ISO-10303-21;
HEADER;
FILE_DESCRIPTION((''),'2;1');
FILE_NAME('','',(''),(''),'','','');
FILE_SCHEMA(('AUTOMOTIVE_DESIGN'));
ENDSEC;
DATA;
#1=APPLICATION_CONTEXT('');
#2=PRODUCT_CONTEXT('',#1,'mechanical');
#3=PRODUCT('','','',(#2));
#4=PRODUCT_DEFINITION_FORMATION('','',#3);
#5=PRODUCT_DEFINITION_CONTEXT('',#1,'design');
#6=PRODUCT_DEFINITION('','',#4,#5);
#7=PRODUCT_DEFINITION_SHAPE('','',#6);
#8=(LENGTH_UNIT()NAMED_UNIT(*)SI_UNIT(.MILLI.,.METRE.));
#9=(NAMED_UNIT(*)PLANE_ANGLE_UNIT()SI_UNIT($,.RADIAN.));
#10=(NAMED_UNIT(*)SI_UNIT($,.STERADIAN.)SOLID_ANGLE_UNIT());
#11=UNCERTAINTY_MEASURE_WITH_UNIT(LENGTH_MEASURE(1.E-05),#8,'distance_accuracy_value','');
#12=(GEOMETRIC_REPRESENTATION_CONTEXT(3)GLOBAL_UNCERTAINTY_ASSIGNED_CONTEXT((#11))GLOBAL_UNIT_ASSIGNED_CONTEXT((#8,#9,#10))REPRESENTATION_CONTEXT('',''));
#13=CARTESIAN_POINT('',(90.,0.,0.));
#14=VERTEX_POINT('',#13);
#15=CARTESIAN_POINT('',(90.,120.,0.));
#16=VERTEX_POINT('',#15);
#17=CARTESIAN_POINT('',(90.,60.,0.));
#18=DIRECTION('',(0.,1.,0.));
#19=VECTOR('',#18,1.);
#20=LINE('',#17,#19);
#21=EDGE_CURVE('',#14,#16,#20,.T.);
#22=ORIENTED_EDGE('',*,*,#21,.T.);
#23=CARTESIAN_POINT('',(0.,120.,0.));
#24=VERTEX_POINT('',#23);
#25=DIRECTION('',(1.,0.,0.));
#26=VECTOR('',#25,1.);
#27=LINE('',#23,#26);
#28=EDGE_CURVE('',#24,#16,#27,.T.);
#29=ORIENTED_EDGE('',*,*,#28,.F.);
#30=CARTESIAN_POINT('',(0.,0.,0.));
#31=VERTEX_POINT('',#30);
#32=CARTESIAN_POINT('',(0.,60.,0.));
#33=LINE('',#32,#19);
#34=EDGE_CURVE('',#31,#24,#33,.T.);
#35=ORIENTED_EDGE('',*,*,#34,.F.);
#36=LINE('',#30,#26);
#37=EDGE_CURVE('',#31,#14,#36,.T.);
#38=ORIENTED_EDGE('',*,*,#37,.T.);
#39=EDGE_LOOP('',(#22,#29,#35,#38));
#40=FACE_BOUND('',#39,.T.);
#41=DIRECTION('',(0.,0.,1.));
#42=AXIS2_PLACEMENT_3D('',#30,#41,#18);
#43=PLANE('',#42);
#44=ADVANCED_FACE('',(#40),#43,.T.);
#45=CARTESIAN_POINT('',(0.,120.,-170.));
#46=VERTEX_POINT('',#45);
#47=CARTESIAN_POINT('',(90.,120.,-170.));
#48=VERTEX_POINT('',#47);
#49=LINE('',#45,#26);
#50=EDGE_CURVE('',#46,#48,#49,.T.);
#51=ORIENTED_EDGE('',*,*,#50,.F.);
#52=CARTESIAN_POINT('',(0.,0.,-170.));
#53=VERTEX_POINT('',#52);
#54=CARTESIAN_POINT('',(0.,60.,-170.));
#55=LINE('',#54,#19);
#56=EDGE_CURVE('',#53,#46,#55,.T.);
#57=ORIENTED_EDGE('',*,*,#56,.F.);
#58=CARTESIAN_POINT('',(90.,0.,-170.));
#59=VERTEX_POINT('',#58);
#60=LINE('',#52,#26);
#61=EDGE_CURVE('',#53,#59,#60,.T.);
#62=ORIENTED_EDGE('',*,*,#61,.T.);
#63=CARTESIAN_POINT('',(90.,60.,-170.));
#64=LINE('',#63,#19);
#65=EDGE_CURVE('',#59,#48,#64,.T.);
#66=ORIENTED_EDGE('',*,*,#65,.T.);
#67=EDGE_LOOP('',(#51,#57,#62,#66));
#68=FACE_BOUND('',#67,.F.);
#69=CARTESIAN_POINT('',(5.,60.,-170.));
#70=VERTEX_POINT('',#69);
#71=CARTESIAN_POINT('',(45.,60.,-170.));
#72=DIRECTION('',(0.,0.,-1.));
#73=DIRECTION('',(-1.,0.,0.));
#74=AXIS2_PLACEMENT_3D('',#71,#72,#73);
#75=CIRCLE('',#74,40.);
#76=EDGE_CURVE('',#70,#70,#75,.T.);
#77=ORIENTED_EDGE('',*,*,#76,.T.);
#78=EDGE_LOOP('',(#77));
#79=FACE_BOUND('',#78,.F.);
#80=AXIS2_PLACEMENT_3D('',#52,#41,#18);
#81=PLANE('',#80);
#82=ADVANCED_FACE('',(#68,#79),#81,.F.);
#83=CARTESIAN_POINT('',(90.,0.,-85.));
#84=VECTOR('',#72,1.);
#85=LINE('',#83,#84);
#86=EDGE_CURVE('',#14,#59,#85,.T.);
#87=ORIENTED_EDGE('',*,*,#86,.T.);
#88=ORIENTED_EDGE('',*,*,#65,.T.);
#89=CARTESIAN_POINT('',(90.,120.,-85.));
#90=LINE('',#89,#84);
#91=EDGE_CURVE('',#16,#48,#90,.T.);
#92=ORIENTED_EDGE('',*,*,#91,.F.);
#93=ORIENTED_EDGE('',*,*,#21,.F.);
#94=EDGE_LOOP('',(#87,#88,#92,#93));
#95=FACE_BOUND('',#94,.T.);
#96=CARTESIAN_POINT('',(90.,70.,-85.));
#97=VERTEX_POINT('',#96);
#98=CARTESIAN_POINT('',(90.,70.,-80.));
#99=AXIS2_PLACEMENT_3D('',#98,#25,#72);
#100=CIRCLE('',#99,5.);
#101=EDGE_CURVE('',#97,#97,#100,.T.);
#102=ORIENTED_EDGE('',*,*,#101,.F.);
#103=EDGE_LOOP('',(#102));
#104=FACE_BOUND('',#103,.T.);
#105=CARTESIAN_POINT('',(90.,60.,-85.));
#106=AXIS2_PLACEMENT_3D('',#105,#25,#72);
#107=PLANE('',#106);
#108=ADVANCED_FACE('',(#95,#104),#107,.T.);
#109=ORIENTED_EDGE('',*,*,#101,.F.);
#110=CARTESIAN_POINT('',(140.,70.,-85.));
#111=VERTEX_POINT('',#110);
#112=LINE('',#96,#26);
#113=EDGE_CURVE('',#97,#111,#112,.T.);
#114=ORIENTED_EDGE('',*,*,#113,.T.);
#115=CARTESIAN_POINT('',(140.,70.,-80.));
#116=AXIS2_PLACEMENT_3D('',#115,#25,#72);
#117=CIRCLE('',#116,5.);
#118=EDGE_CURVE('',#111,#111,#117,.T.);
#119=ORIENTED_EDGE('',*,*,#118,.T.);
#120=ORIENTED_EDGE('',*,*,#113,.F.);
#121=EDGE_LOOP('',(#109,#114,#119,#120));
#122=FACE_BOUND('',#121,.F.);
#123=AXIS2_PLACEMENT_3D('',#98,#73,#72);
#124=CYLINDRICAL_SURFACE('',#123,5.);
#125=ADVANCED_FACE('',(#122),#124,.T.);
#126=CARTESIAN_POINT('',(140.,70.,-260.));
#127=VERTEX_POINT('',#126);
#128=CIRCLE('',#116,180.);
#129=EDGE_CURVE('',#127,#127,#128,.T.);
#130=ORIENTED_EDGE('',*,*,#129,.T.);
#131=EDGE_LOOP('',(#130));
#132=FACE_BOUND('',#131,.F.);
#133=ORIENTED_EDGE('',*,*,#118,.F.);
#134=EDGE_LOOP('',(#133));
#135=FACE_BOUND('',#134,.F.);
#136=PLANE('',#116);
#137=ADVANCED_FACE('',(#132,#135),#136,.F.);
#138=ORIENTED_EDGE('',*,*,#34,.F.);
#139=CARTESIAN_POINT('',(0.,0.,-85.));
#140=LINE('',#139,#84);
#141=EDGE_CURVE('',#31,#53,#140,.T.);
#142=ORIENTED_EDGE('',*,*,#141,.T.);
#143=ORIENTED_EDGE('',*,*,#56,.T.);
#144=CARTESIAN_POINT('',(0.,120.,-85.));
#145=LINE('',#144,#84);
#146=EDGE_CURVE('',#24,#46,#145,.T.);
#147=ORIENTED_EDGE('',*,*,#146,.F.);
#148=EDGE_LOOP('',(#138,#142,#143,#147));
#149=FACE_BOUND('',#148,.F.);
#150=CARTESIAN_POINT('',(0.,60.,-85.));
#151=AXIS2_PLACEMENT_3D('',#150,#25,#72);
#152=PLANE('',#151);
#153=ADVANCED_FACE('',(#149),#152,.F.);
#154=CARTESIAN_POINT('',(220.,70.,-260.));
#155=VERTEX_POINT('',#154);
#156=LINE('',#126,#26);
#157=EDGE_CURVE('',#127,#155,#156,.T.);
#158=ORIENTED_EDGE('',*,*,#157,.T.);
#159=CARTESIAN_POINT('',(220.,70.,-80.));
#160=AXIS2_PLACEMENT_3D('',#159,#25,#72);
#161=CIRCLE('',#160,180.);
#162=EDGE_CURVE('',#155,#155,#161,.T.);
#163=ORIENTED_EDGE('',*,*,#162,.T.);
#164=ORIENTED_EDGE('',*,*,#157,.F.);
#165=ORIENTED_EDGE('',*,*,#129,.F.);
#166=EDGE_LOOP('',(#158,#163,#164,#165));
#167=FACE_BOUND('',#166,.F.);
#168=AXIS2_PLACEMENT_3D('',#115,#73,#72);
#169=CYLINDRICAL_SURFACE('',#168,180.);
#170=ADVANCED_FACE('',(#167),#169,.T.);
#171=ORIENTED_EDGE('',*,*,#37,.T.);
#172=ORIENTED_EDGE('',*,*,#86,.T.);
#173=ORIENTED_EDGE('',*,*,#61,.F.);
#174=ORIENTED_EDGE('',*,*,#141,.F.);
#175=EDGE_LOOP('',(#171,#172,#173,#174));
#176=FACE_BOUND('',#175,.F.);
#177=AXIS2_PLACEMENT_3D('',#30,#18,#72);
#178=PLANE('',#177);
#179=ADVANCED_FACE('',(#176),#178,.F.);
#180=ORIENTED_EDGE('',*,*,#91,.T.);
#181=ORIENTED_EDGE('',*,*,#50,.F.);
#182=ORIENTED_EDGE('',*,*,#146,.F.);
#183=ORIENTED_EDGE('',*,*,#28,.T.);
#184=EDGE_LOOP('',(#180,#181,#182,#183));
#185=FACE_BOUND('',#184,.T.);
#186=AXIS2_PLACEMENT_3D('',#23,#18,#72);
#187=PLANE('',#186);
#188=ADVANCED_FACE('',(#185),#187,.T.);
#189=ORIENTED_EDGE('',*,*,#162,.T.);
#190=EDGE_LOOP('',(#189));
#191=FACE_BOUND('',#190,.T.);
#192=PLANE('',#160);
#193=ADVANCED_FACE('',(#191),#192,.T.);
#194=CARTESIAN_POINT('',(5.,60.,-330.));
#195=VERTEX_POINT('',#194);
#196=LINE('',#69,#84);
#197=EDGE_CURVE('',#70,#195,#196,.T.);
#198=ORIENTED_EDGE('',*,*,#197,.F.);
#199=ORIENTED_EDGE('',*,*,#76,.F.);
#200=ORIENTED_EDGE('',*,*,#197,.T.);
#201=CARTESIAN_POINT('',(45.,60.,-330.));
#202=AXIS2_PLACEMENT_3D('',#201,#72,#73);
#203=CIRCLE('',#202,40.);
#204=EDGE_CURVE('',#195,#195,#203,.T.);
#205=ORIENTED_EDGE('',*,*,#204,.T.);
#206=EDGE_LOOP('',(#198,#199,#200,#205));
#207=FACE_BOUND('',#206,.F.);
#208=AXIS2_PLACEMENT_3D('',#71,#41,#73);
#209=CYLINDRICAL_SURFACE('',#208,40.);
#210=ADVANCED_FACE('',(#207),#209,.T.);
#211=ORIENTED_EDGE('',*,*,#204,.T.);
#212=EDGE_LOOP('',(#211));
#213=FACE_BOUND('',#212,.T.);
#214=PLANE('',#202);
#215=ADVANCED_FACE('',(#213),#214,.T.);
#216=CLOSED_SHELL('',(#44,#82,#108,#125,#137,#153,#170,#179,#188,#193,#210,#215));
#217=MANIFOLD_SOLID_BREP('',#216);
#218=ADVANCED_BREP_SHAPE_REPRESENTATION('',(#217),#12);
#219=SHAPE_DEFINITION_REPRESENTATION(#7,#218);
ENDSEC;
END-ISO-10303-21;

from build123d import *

# Parameters (mm, degrees)
SKETCH1_W           = 170
SKETCH1_H           = 120
BOSS_EXTRUDE1_DEPTH = 90
SKETCH5_R           = 40
BOSS_EXTRUDE3_DEPTH = 160
SKETCH7_R           = 5
BOSS_EXTRUDE4_DEPTH = 50
SKETCH8_R           = 180
BOSS_EXTRUDE5_DEPTH = 80


with BuildPart() as part:
    # Sketch1 → Boss-Extrude1 (new body)
    with BuildSketch(Plane(origin=(0, 0, 0), x_dir=(0, 0, -1), z_dir=(1, 0, 0))):
        with Locations((85, 60)):
            Rectangle(SKETCH1_W, SKETCH1_H)
    extrude(amount=BOSS_EXTRUDE1_DEPTH)

    # Sketch5 → Boss-Extrude3 (add)
    with BuildSketch(Plane(origin=(0, 0, -170), x_dir=(-1, 0, 0), z_dir=(0, 0, -1))):
        with Locations((-45, 60)):
            Circle(SKETCH5_R)
    extrude(amount=BOSS_EXTRUDE3_DEPTH)

    # Sketch7 → Boss-Extrude4 (add)
    with BuildSketch(Plane(origin=(90, 0, 0), x_dir=(0, 0, -1), z_dir=(1, 0, 0))):
        with Locations((80, 70)):
            Circle(SKETCH7_R)
    extrude(amount=BOSS_EXTRUDE4_DEPTH)

    # Sketch8 → Boss-Extrude5 (add)
    with BuildSketch(Plane(origin=(140, 0, 0), x_dir=(0, 0, -1), z_dir=(1, 0, 0))):
        with Locations((80, 70)):
            Circle(SKETCH8_R)
    extrude(amount=BOSS_EXTRUDE5_DEPTH)


solid = part.part
